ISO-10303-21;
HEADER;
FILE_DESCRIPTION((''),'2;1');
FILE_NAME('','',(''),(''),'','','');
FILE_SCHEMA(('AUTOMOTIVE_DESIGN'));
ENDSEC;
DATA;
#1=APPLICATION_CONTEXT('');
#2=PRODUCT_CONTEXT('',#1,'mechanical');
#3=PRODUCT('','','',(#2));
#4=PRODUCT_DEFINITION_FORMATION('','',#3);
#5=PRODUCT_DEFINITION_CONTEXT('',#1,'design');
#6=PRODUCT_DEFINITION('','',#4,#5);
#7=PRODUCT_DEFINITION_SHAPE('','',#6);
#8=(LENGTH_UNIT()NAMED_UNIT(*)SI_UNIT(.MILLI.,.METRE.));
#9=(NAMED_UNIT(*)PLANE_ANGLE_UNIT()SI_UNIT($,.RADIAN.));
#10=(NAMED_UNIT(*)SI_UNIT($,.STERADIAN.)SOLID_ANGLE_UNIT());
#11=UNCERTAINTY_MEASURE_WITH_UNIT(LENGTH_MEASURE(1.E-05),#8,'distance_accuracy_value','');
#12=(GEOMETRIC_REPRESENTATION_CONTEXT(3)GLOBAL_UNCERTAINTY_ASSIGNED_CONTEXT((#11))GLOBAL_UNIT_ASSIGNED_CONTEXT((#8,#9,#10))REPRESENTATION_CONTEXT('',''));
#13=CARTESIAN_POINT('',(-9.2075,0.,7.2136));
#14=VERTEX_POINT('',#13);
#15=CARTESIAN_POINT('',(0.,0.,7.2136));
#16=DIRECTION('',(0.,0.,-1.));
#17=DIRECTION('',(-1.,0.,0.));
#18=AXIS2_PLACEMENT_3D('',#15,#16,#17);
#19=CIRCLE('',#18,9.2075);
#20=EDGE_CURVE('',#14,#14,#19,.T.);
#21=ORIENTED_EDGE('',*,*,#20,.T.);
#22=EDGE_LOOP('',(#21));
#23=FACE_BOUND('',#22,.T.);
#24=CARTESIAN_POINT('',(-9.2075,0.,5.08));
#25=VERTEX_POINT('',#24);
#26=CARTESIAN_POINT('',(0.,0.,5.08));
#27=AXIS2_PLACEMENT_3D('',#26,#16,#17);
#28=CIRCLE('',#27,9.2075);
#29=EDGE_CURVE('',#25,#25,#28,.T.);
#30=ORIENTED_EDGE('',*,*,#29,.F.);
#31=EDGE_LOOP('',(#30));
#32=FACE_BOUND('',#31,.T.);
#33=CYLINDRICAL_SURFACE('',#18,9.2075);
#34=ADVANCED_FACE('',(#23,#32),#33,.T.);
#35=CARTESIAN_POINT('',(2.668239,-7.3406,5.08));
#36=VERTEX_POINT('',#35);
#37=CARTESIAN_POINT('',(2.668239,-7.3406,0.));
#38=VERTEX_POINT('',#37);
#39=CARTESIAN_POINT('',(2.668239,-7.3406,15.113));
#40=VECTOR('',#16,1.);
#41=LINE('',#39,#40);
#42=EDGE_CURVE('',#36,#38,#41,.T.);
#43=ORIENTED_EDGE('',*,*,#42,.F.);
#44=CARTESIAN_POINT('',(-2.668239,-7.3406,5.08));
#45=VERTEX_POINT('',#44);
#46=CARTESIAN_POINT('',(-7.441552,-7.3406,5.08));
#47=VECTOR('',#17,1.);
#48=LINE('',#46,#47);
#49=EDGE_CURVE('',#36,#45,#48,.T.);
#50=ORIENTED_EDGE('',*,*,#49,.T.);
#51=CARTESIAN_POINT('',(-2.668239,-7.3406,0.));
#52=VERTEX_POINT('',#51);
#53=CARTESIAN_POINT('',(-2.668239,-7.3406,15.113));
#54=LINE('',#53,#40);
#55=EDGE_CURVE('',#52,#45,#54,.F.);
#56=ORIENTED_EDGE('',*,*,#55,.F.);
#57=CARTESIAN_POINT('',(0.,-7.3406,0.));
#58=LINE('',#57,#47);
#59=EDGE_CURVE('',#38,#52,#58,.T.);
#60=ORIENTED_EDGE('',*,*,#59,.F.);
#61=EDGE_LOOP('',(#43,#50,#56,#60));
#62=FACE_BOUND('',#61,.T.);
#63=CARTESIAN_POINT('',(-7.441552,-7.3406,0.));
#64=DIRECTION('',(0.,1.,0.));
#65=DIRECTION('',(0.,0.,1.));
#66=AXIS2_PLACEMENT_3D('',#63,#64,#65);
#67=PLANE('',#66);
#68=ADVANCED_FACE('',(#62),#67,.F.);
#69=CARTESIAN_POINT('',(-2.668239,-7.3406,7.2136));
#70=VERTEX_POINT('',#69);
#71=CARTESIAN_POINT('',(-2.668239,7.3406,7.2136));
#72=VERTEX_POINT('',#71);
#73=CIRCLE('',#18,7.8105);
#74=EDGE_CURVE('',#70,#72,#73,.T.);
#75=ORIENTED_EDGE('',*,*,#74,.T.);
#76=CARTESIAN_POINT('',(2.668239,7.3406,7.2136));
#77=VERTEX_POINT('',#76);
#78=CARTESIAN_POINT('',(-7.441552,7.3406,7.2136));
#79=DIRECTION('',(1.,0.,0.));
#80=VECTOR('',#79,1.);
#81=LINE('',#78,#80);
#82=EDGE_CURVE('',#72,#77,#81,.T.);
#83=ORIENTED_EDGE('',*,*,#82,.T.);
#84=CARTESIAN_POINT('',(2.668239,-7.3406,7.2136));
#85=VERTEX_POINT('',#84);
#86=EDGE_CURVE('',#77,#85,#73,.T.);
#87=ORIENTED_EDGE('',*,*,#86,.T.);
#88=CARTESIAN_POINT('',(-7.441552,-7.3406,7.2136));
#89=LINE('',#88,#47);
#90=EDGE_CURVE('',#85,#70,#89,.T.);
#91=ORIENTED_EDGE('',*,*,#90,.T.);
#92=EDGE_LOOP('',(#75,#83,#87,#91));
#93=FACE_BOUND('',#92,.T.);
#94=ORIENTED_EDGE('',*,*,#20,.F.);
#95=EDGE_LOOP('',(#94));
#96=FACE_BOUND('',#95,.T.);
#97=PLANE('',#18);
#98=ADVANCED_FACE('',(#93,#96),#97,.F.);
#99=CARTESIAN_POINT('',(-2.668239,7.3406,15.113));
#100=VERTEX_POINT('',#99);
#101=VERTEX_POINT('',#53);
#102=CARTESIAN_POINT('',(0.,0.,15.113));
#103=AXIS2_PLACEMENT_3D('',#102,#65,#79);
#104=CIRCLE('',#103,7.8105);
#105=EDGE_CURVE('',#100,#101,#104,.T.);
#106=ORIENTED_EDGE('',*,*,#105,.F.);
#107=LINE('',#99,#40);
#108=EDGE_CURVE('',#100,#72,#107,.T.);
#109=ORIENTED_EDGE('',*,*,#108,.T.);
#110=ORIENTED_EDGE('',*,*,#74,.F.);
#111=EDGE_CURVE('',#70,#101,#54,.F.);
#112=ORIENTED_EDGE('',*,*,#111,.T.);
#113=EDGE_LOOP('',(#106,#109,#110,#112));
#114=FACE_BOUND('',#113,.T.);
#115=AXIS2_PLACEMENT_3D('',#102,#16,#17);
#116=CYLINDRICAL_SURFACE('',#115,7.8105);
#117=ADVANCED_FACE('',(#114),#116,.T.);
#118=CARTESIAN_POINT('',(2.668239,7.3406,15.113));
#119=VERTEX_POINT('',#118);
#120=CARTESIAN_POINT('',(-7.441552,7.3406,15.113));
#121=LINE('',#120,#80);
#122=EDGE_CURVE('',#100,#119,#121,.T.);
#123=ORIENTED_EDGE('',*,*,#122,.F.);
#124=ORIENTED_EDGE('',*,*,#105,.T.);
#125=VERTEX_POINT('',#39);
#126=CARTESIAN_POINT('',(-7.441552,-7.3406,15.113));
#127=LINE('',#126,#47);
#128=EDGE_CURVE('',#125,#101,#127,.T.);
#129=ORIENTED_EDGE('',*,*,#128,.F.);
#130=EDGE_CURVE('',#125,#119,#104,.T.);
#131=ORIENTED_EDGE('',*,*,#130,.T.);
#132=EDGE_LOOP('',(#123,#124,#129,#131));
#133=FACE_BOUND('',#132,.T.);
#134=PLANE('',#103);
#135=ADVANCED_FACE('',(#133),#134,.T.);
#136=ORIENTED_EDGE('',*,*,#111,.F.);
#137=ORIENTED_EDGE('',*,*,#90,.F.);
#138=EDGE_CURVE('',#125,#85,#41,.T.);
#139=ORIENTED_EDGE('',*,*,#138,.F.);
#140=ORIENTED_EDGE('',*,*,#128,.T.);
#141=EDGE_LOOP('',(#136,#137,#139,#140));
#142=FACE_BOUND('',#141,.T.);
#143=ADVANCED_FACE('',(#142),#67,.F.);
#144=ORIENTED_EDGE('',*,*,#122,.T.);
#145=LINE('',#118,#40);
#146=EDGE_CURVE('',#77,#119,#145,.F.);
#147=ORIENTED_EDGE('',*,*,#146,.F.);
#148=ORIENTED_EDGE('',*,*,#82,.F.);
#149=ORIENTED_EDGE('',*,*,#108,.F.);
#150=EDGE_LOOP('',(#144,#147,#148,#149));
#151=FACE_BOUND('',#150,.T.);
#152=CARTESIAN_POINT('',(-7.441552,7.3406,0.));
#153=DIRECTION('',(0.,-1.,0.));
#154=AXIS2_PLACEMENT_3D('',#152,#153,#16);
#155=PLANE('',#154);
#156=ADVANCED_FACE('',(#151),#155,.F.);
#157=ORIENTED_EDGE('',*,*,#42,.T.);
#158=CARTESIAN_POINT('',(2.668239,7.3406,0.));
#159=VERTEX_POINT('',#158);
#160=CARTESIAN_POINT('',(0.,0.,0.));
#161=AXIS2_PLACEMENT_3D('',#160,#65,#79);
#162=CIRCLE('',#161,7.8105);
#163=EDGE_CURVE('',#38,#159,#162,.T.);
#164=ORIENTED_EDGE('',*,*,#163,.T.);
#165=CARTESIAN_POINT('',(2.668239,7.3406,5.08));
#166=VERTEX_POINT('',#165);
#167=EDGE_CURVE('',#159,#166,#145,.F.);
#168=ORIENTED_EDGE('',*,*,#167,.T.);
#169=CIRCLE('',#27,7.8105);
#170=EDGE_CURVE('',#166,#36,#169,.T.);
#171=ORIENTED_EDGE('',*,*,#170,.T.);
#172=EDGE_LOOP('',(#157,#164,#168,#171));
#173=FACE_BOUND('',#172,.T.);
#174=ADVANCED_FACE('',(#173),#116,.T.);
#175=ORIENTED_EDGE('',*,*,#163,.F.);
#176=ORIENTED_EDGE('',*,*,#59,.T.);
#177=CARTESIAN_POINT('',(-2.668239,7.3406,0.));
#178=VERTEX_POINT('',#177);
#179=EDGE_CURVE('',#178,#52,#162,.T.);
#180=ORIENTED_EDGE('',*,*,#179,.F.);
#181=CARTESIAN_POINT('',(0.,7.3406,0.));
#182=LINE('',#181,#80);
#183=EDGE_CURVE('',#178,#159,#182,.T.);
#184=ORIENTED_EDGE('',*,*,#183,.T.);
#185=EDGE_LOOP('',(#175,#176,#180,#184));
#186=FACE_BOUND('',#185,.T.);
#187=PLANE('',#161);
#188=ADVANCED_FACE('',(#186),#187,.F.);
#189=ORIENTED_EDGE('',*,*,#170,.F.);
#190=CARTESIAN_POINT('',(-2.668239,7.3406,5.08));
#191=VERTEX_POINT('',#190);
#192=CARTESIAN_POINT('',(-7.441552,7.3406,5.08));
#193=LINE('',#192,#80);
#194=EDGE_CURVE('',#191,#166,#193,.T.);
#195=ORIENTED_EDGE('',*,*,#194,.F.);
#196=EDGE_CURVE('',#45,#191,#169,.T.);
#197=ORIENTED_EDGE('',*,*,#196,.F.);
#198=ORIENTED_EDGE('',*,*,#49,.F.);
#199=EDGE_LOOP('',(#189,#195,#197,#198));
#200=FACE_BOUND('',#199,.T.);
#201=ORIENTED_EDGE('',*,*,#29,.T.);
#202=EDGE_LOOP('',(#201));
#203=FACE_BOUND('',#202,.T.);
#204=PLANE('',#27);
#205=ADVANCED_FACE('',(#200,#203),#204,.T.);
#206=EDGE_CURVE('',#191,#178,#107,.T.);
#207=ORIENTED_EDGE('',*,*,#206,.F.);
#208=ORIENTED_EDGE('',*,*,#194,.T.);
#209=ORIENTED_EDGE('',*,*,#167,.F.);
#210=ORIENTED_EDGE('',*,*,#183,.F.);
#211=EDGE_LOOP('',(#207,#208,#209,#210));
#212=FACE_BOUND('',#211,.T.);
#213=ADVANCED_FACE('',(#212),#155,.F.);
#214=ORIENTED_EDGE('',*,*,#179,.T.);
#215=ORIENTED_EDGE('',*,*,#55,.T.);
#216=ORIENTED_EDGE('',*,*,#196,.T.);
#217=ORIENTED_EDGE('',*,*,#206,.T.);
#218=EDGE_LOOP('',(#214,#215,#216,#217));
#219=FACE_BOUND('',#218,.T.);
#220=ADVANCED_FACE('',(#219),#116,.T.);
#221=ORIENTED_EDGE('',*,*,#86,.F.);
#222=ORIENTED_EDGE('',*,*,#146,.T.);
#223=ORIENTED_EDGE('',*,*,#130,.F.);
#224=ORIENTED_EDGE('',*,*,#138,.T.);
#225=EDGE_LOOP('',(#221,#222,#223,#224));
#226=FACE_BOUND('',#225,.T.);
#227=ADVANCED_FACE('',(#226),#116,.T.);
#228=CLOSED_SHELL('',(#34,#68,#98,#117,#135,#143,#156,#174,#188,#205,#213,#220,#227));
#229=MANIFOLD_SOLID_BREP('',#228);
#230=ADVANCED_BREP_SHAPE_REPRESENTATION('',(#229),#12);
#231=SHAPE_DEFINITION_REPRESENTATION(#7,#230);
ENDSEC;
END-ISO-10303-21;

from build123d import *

# Parameters (mm, degrees)
SKETCH1_R           = 7.8105
BOSS_EXTRUDE1_DEPTH = 15.113
SKETCH2_W           = 14.883103562
SKETCH2_H           = 1.269889382
CUT_EXTRUDE1_DEPTH  = 19.719257183
BOSS_EXTRUDE2_START = -5.08
SKETCH3_R           = 9.2075
BOSS_EXTRUDE2_DEPTH = 2.1336


with BuildPart() as part:
    # Sketch1 → Boss-Extrude1 (new body)
    with BuildSketch(Plane.XY):
        Circle(SKETCH1_R)
    extrude(amount=BOSS_EXTRUDE1_DEPTH)

    # Sketch2 → Cut-Extrude1 (cut, through all)
    with BuildSketch(Plane.XY.offset(15.113)):
        with Locations((0, 7.975544691)):
            Rectangle(SKETCH2_W, SKETCH2_H)
        with Locations((0, -7.975544691)):
            Rectangle(SKETCH2_W, SKETCH2_H)
    extrude(amount=-CUT_EXTRUDE1_DEPTH, mode=Mode.SUBTRACT)

    # Sketch3 → Boss-Extrude2 (add)
    with BuildSketch(Plane(origin=(0, 0, 0), x_dir=(-1, 0, 0), z_dir=(0, 0, -1)).offset(BOSS_EXTRUDE2_START)):
        Circle(SKETCH3_R)
    extrude(amount=-BOSS_EXTRUDE2_DEPTH)


solid = part.part
